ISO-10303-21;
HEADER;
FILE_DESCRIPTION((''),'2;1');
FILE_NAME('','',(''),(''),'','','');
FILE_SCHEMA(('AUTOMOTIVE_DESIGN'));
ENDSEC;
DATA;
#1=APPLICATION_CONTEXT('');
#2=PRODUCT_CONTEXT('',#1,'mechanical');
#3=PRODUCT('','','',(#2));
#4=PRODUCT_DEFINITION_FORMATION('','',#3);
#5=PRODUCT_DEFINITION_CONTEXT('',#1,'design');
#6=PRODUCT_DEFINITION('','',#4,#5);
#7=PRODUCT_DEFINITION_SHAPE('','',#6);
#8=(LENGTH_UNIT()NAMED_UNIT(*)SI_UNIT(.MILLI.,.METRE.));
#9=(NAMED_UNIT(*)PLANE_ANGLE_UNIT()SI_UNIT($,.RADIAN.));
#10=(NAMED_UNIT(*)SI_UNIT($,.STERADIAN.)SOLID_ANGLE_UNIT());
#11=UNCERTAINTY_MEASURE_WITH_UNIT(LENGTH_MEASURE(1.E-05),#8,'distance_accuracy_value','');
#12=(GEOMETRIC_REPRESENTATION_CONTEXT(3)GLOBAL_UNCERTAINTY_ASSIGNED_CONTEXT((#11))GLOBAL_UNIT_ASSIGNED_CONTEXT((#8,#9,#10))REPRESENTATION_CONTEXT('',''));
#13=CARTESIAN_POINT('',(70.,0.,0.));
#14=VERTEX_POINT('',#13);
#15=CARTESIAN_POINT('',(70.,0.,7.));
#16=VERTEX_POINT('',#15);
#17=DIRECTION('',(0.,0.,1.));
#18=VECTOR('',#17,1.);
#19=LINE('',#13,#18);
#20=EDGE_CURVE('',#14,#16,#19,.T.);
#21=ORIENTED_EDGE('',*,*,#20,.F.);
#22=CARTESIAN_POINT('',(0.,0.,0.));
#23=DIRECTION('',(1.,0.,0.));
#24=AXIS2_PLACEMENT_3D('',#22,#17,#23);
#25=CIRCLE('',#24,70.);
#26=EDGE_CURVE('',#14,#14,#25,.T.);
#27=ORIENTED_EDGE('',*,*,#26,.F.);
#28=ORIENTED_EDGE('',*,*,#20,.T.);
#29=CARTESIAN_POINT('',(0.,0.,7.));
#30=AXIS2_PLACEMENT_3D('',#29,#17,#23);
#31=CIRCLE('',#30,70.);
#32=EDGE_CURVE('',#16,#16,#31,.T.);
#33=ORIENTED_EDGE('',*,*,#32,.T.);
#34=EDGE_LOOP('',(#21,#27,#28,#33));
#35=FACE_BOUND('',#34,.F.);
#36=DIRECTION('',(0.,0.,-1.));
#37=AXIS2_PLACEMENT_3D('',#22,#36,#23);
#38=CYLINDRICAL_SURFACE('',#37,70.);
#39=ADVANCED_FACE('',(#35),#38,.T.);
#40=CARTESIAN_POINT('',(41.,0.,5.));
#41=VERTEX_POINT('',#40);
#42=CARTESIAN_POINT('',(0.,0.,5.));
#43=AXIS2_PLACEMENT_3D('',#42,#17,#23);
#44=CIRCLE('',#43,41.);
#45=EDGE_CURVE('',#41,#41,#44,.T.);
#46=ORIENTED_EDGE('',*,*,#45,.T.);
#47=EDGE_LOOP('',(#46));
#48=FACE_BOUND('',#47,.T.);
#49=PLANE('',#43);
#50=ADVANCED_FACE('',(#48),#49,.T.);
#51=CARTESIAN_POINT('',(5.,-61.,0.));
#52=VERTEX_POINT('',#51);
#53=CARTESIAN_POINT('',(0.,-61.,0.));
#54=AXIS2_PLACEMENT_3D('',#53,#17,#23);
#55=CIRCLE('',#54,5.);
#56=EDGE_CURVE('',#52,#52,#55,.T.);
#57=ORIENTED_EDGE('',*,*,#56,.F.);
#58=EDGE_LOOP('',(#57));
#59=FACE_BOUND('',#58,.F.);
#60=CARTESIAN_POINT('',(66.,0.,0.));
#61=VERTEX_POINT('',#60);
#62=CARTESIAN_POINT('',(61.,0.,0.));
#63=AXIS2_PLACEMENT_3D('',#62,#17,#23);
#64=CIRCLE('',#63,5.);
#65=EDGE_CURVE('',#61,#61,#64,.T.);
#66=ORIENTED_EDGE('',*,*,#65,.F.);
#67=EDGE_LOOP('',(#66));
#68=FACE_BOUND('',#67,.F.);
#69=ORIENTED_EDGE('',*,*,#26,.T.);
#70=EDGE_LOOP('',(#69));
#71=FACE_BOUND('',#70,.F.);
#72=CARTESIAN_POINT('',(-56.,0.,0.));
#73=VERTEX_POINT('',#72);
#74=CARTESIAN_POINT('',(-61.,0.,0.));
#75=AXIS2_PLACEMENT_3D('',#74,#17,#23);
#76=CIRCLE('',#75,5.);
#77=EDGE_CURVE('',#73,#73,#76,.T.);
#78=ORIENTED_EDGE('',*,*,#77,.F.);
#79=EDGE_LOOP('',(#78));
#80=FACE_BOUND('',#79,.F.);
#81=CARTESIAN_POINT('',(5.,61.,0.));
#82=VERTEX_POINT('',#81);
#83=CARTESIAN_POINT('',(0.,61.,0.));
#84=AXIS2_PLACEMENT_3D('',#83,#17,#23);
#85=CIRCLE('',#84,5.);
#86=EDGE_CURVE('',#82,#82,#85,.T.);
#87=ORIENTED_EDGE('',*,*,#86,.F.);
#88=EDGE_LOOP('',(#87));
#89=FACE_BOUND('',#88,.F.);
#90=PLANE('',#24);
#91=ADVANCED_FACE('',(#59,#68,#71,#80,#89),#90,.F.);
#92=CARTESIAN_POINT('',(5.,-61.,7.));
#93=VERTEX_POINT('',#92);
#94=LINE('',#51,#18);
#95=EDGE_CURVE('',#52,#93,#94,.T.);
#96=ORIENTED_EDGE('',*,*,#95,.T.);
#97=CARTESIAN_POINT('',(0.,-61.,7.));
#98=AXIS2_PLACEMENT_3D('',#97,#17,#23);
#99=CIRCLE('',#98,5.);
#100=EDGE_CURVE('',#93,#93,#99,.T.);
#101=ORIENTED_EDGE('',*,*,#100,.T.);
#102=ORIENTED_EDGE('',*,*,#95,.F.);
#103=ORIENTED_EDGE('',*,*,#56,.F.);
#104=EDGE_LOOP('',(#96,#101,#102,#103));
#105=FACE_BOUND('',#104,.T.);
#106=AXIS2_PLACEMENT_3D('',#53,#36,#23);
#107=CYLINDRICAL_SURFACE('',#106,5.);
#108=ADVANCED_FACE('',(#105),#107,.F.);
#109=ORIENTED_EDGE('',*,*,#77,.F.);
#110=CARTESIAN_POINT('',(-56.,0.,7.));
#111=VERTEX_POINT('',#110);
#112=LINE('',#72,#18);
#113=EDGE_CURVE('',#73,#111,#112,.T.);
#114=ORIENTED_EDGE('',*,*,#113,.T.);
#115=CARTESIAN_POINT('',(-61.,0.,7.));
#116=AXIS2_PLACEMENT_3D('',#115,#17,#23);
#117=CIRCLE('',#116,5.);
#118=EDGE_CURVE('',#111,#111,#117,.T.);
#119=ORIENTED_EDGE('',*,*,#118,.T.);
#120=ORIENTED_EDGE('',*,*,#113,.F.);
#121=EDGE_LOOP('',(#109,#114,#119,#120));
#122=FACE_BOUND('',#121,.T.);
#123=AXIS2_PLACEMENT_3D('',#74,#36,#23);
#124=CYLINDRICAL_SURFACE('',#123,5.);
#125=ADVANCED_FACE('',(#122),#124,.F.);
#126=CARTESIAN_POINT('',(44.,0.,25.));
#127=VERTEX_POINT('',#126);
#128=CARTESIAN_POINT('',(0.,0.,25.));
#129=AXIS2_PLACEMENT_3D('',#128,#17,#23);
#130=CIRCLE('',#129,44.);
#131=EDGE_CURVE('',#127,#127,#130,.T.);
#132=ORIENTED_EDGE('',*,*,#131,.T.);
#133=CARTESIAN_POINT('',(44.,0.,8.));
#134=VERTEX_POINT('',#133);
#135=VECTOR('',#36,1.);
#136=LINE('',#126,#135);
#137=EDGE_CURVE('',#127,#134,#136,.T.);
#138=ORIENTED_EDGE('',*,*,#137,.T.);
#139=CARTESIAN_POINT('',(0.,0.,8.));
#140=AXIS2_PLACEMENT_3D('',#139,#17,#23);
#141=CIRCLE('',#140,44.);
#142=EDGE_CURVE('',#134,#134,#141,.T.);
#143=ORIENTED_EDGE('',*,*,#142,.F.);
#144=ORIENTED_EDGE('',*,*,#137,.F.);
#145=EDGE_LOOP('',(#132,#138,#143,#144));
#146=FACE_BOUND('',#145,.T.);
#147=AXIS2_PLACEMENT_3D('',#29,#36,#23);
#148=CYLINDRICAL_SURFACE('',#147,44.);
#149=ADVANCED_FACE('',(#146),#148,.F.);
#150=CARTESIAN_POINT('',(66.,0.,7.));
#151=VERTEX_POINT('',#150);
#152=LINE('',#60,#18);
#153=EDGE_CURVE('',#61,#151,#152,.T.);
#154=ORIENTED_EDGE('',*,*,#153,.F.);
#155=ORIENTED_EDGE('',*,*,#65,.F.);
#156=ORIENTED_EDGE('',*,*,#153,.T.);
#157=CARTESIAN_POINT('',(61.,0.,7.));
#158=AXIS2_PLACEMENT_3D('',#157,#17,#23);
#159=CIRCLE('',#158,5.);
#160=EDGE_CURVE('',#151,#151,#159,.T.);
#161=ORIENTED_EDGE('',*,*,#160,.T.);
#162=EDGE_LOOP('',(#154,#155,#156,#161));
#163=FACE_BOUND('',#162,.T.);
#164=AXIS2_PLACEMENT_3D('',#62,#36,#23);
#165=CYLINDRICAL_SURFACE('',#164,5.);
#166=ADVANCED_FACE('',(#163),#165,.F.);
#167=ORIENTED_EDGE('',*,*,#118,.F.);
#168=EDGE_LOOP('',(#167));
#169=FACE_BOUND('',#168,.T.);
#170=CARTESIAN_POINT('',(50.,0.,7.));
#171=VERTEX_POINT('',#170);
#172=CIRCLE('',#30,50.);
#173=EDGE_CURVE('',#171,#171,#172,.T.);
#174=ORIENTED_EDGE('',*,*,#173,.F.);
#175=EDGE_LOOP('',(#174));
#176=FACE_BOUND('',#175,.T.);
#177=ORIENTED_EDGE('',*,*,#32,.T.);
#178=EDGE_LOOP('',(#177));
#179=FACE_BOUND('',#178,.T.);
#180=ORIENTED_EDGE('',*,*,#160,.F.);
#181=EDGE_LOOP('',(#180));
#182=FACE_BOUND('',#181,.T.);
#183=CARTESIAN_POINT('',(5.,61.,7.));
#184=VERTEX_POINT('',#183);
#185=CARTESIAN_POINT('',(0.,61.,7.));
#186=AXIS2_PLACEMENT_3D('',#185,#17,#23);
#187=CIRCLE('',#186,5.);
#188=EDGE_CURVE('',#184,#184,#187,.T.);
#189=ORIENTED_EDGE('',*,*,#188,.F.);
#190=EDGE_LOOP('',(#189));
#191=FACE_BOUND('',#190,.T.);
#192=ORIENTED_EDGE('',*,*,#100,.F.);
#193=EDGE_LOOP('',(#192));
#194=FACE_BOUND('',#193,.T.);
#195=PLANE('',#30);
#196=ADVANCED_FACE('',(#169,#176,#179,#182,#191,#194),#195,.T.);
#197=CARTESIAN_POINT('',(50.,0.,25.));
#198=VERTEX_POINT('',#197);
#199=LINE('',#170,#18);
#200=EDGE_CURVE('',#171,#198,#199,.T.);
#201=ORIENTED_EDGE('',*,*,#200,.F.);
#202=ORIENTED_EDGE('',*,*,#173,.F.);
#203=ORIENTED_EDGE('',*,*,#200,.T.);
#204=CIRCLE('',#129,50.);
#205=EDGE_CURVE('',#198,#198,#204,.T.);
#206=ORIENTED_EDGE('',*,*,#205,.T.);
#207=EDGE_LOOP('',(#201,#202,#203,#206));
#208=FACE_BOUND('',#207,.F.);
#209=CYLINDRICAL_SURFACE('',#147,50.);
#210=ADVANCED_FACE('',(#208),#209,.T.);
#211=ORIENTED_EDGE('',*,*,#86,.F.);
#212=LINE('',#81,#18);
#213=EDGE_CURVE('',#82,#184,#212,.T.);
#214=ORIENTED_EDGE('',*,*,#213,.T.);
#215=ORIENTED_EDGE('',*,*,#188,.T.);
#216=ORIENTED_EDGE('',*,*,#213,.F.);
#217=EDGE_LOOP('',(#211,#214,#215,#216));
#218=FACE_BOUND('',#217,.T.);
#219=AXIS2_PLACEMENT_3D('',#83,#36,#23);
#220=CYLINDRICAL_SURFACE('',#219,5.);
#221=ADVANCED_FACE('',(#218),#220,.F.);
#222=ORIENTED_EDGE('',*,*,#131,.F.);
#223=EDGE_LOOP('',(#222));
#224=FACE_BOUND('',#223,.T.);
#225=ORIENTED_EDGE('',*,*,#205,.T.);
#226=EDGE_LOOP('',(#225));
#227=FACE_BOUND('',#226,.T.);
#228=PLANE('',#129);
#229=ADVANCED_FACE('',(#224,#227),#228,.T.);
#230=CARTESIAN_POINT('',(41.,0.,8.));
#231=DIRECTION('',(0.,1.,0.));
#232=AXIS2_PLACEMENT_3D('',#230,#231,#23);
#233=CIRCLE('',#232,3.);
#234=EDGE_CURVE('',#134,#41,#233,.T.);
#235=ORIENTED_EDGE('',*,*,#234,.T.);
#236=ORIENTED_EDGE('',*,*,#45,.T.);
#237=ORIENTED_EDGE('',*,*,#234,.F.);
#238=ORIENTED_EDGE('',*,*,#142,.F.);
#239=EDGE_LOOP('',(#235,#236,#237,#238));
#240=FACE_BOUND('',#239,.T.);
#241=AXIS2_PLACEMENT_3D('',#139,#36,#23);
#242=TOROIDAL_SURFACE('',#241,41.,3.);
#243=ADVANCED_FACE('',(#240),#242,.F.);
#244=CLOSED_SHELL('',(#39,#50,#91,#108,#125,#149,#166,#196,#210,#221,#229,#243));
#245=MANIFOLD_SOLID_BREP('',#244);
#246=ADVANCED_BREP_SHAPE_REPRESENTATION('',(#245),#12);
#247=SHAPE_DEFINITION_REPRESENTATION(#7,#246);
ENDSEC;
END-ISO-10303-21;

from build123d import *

# Parameters (mm, degrees)
F0_R     = 70
F0_R_2   = 5
F1_DEPTH = 7
F2_R     = 50
F2_R_2   = 44
F3_DEPTH = 18
F4_R     = 44
F5_DEPTH = 2
F6_R     = 3


with BuildPart() as f1:
    # F0 (on Top) → F1 (new body)
    with BuildSketch(Plane.XY):
        Circle(F0_R)
        with Locations((0, -61)):
            Circle(F0_R_2, mode=Mode.SUBTRACT)
        with Locations((-61, 0)):
            Circle(F0_R_2, mode=Mode.SUBTRACT)
        with Locations((61, 0)):
            Circle(F0_R_2, mode=Mode.SUBTRACT)
        with Locations((0, 61)):
            Circle(F0_R_2, mode=Mode.SUBTRACT)
    extrude(amount=F1_DEPTH)

    # F2 (on face) → F3 (join)
    with BuildSketch(Plane.XY.offset(7)):
        Circle(F2_R)
        Circle(F2_R_2, mode=Mode.SUBTRACT)
    extrude(amount=F3_DEPTH)

    # F4 (on face) → F5 (cut)
    with BuildSketch(Plane.XY.offset(7)):
        Circle(F4_R)
    extrude(amount=-F5_DEPTH, mode=Mode.SUBTRACT)

    # F6
    f6_edges = [f1.edges().sort_by_distance(p)[0] for p in [
        (-44, 0, 5),
    ]]
    fillet(f6_edges, radius=F6_R)


solid = f1.part
